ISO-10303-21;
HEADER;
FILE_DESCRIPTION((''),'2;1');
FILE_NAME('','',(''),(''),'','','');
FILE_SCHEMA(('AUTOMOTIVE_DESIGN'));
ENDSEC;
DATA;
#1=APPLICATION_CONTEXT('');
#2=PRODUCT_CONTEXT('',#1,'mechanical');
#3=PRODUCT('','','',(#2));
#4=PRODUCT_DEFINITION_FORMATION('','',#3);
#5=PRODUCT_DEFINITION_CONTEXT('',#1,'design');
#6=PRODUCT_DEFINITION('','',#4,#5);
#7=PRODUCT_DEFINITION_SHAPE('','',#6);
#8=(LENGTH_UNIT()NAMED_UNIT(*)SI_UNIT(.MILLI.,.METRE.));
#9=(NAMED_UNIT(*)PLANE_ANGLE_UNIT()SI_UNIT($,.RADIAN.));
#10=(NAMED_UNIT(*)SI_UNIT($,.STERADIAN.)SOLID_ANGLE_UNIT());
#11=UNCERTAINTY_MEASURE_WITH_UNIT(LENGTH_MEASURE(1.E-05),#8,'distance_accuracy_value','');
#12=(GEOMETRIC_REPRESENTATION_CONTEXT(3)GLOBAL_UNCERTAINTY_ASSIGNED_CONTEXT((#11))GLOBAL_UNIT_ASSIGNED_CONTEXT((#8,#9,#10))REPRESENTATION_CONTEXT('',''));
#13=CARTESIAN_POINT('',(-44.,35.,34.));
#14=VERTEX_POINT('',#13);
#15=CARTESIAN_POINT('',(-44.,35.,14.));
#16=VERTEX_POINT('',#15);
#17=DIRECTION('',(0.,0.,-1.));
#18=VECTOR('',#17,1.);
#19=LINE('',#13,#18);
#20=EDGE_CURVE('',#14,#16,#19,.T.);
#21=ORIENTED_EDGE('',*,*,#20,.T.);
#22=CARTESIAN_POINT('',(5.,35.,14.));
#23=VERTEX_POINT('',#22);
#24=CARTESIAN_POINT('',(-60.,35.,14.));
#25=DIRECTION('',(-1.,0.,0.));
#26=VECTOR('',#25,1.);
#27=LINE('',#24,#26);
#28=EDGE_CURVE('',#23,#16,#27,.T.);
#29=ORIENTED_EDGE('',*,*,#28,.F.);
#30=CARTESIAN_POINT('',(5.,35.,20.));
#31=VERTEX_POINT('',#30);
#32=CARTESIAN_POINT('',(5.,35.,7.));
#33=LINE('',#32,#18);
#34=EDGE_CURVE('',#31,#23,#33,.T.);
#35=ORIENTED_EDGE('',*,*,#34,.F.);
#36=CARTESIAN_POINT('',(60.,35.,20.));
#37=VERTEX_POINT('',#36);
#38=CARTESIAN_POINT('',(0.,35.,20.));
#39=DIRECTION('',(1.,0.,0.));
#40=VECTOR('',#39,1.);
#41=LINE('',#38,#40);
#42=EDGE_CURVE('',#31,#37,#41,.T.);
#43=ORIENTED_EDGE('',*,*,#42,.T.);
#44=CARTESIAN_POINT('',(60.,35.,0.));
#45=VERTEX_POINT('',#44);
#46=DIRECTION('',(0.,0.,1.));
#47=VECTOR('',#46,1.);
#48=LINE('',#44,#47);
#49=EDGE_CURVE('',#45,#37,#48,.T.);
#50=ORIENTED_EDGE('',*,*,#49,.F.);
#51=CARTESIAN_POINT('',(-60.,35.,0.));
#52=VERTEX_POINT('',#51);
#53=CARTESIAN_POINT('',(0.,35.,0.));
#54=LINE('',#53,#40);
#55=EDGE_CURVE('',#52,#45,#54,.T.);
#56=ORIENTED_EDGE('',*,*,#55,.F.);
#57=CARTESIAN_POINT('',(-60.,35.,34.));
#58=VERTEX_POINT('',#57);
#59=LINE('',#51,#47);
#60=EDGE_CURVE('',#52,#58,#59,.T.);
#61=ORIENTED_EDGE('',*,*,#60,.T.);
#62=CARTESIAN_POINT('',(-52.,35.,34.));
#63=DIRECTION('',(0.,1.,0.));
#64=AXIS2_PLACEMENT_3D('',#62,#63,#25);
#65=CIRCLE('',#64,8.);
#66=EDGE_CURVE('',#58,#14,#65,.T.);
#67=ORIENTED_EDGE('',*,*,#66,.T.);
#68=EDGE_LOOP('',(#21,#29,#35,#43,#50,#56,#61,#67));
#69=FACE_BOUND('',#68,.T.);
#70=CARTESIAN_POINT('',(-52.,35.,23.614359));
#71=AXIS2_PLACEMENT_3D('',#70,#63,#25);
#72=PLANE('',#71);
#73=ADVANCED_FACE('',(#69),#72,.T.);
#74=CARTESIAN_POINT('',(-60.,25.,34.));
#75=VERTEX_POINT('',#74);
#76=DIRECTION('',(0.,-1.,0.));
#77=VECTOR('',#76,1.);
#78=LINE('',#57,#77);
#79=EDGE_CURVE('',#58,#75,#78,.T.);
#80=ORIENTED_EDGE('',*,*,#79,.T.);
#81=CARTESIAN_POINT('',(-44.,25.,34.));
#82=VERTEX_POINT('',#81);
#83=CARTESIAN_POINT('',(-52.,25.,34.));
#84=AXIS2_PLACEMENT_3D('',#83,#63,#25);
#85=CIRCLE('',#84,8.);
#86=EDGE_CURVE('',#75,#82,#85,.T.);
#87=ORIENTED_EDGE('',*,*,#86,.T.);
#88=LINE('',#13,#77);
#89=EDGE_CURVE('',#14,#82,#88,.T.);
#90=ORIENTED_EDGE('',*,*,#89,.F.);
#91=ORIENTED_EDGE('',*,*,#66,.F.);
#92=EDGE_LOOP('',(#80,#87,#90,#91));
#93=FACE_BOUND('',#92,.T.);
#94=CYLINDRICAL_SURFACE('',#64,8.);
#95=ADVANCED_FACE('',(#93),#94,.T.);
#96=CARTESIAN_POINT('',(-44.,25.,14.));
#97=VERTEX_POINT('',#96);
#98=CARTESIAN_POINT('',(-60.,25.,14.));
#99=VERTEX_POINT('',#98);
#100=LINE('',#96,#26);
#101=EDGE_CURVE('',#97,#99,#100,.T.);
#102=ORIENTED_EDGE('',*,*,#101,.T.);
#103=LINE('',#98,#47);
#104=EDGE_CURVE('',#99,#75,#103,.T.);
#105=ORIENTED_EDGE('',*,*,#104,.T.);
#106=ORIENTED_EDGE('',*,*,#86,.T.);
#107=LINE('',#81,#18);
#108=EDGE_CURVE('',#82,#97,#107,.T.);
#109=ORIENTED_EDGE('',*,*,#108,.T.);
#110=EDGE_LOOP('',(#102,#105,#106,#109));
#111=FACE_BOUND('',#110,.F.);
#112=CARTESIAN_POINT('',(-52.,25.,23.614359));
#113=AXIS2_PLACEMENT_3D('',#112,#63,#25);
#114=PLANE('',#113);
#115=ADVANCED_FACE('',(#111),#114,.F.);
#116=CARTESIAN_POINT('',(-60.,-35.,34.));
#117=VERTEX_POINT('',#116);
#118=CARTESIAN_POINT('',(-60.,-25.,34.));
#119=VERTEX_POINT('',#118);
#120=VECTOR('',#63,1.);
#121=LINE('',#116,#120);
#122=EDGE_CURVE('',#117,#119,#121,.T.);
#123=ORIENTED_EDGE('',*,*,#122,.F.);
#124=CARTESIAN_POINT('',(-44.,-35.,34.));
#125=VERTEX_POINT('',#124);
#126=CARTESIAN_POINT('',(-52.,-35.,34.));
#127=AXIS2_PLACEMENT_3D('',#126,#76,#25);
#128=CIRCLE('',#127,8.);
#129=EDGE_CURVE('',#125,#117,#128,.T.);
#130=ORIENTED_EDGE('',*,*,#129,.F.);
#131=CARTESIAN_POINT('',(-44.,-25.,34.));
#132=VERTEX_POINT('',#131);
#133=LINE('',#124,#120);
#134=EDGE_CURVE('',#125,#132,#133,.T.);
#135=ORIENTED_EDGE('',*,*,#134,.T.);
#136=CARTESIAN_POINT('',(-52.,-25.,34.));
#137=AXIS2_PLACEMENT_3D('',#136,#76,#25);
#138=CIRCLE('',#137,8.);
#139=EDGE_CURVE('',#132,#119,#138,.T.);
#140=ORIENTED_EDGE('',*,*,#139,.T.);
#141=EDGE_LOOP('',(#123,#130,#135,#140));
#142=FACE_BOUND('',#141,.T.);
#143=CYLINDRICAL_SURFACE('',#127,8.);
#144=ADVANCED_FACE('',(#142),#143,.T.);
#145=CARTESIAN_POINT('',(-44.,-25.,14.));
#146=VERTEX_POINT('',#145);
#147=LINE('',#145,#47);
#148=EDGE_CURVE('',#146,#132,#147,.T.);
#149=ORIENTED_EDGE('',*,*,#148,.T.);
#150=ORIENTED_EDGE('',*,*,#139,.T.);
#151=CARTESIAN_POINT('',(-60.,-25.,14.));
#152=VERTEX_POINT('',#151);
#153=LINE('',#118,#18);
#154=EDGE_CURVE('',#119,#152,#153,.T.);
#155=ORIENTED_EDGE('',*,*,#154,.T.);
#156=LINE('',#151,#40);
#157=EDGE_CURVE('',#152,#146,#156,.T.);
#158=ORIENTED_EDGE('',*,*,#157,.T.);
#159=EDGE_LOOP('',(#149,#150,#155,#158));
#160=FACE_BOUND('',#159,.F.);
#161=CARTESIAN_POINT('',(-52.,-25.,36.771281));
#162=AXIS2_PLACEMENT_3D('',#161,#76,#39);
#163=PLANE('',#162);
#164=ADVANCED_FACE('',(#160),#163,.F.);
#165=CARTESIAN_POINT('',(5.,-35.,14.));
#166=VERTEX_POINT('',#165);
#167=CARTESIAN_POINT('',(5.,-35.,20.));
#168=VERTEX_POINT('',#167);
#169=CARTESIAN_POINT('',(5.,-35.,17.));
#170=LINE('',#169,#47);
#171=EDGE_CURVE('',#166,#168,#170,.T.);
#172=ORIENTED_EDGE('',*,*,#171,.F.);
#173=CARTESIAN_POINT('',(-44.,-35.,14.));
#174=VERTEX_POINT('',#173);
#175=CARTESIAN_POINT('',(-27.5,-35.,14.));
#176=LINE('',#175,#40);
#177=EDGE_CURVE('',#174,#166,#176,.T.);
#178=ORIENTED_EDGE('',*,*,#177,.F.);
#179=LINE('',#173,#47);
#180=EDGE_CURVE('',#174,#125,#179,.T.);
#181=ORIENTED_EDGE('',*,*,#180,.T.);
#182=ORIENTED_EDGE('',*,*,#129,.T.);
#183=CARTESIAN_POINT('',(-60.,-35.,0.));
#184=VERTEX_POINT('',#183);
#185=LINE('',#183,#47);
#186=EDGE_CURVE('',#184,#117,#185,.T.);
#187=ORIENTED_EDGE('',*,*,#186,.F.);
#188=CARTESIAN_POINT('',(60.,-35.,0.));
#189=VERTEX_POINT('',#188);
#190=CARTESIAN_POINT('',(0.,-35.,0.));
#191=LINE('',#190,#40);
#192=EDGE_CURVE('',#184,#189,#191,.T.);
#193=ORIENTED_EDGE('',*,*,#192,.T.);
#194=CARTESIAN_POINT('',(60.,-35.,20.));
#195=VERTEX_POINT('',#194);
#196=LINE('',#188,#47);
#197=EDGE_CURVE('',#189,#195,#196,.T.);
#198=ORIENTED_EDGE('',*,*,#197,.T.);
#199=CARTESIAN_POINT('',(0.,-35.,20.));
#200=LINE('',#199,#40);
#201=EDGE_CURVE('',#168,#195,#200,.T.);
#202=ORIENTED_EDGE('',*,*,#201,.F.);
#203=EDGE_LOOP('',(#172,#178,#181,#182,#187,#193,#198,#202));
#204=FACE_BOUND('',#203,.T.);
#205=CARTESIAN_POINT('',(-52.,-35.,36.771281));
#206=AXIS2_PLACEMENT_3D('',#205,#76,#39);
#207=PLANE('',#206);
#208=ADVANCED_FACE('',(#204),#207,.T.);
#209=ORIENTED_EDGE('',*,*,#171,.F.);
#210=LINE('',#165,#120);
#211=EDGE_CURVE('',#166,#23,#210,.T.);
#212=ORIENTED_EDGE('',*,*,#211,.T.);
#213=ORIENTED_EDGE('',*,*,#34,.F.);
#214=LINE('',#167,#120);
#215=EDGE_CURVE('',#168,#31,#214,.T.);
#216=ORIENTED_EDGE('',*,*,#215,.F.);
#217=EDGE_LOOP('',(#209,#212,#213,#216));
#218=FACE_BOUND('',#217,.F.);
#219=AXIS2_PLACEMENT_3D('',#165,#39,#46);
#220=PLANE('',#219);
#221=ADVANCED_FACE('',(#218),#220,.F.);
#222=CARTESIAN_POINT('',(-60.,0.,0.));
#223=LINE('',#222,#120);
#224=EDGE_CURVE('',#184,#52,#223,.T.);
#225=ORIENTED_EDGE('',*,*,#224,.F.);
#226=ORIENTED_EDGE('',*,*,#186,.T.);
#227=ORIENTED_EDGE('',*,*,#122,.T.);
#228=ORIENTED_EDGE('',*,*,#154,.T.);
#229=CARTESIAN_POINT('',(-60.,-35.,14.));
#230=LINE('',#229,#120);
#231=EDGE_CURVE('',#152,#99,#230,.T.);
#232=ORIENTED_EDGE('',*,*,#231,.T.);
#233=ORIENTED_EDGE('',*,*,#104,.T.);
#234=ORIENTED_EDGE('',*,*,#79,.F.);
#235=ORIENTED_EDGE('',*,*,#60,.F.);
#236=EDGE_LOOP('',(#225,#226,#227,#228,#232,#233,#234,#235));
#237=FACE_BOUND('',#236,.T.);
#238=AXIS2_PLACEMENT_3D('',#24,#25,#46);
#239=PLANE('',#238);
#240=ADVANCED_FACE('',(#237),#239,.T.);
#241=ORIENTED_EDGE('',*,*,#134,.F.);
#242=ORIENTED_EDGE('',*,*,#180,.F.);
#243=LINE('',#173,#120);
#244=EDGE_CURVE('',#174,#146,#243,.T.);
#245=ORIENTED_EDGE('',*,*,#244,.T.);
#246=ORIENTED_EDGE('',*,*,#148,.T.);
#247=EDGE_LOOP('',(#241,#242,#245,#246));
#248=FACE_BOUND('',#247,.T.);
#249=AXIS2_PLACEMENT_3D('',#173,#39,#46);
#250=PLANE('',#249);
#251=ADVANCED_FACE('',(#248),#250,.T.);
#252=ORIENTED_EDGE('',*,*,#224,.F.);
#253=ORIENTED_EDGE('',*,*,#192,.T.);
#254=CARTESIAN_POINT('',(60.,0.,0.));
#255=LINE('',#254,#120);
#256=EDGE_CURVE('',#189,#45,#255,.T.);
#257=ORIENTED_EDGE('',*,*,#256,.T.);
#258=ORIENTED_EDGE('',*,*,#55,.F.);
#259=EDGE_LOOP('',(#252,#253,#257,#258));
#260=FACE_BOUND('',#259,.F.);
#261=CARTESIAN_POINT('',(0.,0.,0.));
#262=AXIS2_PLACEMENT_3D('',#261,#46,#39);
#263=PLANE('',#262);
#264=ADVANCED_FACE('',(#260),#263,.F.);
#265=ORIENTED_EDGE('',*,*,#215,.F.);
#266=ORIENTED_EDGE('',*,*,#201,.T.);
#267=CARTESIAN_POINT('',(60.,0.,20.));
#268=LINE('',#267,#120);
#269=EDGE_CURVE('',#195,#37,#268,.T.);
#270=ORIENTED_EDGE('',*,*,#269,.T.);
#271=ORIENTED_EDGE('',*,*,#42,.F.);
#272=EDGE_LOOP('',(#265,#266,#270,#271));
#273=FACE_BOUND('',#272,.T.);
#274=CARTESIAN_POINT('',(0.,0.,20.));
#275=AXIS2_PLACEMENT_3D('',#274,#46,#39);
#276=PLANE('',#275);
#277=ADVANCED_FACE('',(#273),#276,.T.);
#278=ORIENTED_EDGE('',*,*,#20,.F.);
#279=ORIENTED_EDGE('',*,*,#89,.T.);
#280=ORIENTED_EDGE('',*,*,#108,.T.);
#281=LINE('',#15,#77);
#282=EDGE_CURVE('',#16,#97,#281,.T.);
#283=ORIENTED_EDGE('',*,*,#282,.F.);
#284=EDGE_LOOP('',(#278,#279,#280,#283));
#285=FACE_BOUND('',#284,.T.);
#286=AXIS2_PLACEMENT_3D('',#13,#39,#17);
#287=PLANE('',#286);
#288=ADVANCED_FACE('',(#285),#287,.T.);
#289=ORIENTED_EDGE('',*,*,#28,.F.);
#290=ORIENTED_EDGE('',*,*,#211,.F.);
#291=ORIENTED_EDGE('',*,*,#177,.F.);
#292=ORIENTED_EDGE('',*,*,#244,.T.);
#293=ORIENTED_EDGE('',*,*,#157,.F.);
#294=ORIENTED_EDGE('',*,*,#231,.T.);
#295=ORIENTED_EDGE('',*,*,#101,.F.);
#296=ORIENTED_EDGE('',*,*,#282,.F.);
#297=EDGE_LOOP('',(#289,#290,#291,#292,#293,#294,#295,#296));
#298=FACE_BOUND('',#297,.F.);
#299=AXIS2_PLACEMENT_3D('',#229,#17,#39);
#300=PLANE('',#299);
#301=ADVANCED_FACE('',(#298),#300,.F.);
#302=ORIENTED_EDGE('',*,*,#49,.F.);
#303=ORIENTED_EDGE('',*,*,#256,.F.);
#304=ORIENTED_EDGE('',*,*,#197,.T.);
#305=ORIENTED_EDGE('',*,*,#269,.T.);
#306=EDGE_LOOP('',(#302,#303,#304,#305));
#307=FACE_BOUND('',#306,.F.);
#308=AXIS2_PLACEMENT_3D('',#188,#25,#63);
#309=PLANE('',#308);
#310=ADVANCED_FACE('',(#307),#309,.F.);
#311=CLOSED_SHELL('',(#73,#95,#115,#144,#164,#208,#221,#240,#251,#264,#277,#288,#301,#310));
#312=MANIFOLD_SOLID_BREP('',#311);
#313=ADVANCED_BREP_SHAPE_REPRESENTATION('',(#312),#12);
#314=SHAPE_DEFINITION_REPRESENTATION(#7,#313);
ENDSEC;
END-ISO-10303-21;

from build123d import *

# Parameters (mm, degrees)
F0_W     = 120
F0_H     = 70
F1_DEPTH = 20
F2_W     = 65
F2_H     = 6
F3_DEPTH = 100
F5_DEPTH = 10
F7_DEPTH = 10


with BuildPart() as f1:
    # F0 (on Top) → F1 (new body)
    with BuildSketch(Plane.XY):
        Rectangle(F0_W, F0_H)
    extrude(amount=F1_DEPTH)

    # F2 (on face) → F3 (cut)
    with BuildSketch(Plane.XZ.offset(35)):
        with Locations((-27.5, 17)):
            Rectangle(F2_W, F2_H)
    extrude(amount=-F3_DEPTH, mode=Mode.SUBTRACT)

    # F4 (on face) → F5 (join)
    with BuildSketch(Plane.XZ.offset(35)):
        with BuildLine():
            ThreePointArc((-44, 34), (-52, 42), (-60, 34))
            Line((-60, 34), (-44, 34))
        make_face()
        with BuildLine():
            Line((-44, 34), (-60, 34))
            ThreePointArc((-60, 34), (-52, 26), (-44, 34))
        make_face()
        with BuildLine():
            Line((-60, 34), (-60, 14))
            Line((-60, 14), (-44, 14))
            Line((-44, 14), (-44, 34))
            ThreePointArc((-44, 34), (-52, 26), (-60, 34))
        make_face()
    extrude(amount=-F5_DEPTH)

    # F6 (on face) → F7 (join)
    with BuildSketch(Plane(origin=(0, 35, 0), x_dir=(-1, 0, 0), z_dir=(0, 1, 0))):
        with BuildLine():
            Line((44, 14), (60, 14))
            Line((60, 14), (60, 34))
            ThreePointArc((60, 34), (52, 26), (44, 34))
            Line((44, 34), (44, 14))
        make_face()
        with BuildLine():
            ThreePointArc((44, 34), (52, 26), (60, 34))
            Line((60, 34), (44, 34))
        make_face()
        with BuildLine():
            Line((44, 34), (60, 34))
            ThreePointArc((60, 34), (52, 42), (44, 34))
        make_face()
    extrude(amount=-F7_DEPTH)


solid = f1.part
